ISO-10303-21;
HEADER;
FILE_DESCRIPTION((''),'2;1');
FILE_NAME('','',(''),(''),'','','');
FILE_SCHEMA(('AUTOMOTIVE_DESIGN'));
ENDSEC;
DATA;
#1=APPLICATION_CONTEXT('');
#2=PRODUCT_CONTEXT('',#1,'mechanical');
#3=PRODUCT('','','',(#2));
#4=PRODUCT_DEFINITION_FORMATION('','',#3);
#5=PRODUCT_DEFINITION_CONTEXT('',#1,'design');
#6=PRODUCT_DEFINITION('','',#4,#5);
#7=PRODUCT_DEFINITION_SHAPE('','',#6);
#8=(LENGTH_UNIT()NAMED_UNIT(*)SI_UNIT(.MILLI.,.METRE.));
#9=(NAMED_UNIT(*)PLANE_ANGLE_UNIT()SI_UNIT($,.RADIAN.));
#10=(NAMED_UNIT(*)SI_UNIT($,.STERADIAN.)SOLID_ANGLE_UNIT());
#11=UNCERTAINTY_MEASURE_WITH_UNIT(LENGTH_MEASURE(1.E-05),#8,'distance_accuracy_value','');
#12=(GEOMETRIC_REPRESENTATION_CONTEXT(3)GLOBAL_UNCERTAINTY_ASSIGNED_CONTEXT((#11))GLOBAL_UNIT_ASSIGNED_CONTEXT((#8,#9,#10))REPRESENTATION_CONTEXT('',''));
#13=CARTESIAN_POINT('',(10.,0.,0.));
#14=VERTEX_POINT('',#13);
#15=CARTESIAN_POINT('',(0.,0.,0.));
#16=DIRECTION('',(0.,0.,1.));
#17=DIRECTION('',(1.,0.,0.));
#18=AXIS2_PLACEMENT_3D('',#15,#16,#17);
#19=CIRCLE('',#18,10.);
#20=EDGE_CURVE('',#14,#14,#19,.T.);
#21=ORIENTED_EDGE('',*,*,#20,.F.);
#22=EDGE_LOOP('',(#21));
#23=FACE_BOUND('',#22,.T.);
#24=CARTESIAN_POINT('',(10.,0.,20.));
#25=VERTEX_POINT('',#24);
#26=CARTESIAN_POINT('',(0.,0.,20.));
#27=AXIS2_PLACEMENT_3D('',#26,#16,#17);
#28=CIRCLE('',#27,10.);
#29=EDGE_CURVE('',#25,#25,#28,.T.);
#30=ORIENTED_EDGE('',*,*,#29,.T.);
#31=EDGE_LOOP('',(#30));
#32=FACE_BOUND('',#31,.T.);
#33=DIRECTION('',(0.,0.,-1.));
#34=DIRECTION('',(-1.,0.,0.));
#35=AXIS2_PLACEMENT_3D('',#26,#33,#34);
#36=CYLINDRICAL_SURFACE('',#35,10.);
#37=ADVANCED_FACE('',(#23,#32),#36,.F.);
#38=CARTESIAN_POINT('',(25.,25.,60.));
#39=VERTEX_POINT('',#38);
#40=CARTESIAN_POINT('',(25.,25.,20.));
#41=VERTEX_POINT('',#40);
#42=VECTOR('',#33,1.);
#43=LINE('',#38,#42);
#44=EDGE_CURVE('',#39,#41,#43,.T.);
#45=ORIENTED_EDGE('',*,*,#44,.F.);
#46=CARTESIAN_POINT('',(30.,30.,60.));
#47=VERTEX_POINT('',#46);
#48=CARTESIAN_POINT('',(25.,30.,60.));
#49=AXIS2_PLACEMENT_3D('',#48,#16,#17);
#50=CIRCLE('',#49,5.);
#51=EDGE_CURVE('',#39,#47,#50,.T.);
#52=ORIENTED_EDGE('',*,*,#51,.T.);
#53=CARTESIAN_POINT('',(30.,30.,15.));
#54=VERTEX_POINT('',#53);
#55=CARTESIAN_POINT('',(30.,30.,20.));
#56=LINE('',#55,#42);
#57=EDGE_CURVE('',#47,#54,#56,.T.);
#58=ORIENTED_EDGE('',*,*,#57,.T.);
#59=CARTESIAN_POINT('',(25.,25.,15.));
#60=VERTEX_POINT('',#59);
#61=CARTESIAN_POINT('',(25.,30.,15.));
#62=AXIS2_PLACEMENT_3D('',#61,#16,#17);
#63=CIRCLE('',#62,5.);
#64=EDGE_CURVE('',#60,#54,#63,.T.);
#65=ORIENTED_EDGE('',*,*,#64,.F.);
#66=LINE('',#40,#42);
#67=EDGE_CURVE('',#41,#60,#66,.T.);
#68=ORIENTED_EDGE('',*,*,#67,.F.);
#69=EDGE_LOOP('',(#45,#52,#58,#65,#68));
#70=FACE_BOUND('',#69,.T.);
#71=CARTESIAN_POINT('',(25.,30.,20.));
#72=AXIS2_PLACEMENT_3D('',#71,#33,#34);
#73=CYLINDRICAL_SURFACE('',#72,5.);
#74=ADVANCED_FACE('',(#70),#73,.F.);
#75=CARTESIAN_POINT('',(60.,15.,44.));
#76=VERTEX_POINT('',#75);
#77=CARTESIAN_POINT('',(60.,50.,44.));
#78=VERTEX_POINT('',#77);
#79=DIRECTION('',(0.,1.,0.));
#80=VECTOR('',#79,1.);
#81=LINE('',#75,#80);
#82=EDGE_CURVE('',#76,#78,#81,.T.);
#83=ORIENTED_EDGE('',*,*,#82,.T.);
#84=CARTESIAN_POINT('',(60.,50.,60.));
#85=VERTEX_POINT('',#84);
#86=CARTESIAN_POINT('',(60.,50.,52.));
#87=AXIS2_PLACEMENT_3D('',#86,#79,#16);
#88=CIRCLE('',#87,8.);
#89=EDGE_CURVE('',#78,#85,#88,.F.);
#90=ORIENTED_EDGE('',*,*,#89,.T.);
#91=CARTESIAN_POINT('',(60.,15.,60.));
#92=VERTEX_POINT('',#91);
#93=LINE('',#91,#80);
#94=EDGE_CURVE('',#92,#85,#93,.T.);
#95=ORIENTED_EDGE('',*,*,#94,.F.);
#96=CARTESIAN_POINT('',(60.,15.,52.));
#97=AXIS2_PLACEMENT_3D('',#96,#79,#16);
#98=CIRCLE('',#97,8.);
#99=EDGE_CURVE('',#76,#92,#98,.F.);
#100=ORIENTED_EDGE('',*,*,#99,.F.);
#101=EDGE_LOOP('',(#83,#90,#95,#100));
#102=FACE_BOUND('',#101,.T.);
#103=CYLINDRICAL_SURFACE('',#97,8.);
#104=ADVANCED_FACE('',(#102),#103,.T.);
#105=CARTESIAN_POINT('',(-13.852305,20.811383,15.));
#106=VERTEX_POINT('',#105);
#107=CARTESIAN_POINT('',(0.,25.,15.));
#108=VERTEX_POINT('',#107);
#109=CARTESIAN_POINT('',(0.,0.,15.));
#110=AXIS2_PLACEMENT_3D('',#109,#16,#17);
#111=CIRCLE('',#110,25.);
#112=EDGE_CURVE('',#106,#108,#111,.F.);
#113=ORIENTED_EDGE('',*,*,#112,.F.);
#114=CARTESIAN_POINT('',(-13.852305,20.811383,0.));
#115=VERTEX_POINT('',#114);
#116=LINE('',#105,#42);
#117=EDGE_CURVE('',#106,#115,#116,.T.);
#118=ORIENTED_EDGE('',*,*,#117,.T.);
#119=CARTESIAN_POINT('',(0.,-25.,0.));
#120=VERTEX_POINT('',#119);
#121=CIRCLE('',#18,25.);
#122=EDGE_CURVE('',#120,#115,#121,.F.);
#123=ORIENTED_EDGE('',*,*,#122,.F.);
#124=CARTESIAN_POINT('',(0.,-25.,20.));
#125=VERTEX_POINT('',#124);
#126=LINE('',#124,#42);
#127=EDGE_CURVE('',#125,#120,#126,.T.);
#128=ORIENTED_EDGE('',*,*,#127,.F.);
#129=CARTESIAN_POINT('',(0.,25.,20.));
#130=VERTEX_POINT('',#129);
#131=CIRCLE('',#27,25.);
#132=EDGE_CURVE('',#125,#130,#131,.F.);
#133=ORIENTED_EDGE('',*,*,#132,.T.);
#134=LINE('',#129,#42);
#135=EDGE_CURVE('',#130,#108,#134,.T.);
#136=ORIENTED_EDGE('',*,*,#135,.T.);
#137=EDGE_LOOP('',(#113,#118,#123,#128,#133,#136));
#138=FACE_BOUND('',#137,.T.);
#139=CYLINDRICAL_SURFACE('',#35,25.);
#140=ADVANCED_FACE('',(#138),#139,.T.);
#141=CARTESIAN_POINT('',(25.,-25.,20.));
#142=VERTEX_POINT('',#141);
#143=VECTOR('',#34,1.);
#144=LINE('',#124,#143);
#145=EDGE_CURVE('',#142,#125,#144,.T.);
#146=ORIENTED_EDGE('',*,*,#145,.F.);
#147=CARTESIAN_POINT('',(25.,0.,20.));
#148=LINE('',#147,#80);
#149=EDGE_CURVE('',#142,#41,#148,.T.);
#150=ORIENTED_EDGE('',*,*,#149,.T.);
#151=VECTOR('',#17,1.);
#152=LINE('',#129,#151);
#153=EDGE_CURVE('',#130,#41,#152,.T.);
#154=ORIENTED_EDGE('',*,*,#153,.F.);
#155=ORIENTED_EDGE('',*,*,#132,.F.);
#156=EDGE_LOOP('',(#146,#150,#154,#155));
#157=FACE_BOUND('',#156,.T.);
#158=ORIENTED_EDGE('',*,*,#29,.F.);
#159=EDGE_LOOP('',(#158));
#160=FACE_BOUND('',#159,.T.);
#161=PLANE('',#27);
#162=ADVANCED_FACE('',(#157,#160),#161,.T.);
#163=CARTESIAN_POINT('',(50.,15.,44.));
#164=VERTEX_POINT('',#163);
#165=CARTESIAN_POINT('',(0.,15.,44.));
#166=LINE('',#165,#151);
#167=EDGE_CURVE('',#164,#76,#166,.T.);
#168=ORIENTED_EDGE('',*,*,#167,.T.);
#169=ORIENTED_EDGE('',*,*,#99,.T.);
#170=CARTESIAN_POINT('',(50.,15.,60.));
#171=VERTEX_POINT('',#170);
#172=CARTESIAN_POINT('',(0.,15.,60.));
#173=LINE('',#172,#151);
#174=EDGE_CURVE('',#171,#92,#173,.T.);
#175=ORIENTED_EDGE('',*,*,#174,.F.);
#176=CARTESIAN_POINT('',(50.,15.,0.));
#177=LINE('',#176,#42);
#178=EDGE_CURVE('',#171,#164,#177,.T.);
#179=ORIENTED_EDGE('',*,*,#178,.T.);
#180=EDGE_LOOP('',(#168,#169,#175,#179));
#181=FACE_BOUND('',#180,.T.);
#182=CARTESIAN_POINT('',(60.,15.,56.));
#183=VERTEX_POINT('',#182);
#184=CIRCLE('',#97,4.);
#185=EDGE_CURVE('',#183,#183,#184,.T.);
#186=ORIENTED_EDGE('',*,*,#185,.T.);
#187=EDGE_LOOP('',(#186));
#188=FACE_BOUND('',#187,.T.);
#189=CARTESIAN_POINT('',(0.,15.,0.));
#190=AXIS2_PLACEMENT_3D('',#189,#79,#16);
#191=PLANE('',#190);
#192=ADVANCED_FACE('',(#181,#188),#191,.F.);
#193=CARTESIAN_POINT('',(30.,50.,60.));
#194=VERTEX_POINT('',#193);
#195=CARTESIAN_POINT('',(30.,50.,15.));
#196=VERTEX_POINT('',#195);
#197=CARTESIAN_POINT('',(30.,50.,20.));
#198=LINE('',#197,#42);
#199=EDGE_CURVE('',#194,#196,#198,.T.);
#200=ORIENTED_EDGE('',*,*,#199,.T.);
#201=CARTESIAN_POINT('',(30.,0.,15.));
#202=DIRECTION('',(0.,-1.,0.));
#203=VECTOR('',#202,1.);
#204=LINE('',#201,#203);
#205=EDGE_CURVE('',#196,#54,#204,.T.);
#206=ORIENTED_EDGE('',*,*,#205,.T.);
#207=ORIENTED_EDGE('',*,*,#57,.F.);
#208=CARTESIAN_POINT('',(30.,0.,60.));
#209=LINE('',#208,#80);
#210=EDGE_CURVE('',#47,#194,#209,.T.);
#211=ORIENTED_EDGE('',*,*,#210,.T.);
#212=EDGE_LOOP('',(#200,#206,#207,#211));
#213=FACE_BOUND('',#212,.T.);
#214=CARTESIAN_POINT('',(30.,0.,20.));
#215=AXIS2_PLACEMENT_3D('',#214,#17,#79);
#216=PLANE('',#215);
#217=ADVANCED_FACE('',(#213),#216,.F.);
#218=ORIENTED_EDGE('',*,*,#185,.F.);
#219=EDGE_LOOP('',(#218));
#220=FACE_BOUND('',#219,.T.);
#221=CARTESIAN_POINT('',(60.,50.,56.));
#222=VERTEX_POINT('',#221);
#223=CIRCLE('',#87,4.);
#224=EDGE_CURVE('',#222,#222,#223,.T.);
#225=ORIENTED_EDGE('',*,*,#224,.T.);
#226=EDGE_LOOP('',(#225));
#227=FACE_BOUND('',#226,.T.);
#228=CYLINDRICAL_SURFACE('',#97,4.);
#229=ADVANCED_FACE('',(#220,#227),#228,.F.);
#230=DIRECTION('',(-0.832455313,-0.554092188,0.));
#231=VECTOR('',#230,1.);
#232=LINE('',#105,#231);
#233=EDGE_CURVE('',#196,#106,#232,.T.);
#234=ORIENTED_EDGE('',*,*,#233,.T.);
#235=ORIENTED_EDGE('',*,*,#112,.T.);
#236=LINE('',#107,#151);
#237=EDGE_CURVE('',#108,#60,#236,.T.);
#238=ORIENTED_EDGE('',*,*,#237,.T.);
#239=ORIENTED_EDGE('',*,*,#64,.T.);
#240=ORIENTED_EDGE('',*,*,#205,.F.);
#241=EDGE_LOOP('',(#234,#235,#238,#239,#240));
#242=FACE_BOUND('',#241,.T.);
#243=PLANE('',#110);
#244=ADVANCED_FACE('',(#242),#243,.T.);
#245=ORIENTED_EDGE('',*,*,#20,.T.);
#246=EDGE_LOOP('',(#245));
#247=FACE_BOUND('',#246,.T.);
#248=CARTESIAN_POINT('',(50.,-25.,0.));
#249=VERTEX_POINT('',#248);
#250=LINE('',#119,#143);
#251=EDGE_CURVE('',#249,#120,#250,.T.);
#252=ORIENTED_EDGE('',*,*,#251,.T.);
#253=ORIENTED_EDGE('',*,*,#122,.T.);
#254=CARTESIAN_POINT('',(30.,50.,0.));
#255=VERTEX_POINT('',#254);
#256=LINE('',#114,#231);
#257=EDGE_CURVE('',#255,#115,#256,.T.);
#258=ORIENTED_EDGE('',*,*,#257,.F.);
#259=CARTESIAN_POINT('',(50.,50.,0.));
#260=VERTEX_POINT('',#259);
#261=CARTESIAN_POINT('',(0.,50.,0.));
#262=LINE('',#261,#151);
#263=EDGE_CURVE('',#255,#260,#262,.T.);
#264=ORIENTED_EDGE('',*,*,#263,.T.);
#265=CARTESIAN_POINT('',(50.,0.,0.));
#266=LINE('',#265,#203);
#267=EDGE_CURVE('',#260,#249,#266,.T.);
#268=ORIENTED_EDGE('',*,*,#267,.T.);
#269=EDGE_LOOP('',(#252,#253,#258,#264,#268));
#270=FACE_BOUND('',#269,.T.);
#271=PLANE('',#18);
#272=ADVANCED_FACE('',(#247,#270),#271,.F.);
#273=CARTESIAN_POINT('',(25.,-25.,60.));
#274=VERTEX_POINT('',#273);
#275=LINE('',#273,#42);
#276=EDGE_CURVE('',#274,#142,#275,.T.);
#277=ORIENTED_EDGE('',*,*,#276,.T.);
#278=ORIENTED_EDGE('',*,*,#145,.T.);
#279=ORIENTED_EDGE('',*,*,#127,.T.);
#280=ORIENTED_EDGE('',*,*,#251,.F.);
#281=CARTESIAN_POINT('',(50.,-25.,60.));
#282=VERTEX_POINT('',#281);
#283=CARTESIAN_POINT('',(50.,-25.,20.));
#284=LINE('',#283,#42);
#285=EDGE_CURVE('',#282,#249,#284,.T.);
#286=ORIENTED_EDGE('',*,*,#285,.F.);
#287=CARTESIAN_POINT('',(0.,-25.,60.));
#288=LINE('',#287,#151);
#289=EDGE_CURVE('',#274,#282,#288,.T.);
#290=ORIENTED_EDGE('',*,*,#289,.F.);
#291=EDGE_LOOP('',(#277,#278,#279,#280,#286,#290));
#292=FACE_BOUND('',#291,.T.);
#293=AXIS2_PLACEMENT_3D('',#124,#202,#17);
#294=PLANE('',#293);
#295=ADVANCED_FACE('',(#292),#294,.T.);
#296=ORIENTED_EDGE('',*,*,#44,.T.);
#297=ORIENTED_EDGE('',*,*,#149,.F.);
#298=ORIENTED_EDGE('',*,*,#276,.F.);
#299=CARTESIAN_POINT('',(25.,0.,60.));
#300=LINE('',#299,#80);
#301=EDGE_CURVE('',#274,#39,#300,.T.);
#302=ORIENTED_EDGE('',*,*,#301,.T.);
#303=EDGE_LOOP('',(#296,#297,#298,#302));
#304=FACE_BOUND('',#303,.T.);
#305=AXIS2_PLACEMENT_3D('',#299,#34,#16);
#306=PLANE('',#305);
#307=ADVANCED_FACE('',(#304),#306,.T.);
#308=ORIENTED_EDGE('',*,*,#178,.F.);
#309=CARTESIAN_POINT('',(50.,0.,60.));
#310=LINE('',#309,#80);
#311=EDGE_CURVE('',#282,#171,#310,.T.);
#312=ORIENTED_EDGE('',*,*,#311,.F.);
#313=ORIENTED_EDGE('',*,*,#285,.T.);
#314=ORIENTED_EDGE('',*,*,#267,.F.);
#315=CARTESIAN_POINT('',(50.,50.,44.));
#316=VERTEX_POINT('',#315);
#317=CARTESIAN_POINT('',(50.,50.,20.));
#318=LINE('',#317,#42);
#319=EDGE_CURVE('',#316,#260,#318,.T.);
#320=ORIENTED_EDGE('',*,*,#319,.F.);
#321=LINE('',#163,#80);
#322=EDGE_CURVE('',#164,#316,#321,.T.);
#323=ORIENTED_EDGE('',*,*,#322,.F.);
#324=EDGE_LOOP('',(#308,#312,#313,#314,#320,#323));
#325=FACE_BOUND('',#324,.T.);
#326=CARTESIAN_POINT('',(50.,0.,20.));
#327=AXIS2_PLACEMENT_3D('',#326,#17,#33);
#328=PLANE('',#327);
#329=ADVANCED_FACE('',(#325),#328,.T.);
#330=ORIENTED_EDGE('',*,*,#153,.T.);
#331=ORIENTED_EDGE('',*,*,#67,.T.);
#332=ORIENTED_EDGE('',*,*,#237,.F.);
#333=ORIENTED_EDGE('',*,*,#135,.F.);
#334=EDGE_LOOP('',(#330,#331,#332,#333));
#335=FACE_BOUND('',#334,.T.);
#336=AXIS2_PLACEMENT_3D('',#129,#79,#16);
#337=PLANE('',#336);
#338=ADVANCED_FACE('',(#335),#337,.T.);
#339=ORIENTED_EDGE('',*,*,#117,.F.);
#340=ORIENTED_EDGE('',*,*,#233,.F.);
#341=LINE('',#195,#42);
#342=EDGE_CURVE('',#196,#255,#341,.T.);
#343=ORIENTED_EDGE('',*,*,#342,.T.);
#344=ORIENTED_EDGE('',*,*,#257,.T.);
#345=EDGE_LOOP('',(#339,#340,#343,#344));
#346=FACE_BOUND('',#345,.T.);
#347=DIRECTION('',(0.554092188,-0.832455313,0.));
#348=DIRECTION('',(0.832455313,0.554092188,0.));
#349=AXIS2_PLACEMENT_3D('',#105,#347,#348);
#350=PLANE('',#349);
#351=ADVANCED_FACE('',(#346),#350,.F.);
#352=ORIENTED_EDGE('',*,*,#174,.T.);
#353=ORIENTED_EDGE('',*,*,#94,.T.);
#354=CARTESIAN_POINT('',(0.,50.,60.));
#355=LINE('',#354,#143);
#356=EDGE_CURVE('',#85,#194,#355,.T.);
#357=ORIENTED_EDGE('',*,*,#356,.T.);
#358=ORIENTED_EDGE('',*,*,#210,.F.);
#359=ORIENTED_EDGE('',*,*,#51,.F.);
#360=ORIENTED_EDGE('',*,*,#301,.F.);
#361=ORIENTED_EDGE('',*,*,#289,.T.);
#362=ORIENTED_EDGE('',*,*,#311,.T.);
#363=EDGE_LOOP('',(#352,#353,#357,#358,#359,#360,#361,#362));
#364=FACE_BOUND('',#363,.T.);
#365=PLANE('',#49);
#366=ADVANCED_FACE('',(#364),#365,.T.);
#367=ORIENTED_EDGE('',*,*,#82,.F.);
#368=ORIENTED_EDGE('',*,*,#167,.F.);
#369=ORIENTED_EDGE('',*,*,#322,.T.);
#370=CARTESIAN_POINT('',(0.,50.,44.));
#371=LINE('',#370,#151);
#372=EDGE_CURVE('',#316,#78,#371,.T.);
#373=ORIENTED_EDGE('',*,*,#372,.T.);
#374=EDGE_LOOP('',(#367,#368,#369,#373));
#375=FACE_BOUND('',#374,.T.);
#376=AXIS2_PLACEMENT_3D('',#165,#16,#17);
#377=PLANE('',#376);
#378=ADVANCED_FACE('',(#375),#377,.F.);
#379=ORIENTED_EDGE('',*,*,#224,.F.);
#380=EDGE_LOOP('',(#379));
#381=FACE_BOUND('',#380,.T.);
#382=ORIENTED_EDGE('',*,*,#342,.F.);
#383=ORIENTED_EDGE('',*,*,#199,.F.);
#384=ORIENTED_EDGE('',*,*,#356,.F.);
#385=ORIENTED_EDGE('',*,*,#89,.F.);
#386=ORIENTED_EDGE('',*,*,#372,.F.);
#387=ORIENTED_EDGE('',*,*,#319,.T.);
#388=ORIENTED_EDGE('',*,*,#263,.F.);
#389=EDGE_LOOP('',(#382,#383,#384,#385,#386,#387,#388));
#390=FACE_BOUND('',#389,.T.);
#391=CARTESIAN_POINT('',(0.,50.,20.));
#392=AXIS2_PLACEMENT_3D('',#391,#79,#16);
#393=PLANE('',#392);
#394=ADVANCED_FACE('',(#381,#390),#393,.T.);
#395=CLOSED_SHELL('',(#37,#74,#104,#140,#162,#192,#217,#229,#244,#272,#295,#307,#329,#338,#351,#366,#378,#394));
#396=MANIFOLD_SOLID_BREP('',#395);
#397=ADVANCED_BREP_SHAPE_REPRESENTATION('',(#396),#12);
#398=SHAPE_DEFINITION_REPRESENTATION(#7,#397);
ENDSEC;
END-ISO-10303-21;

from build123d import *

# Parameters (mm, degrees)
SKETCH1_R           = 10
BOSS_EXTRUDE1_DEPTH = 20
BOSS_EXTRUDE2_START = 20
BOSS_EXTRUDE2_DEPTH = 40
BOSS_EXTRUDE3_DEPTH = 15
SKETCH2_R           = 4
BOSS_EXTRUDE4_DEPTH = 35


with BuildPart() as part:
    # Sketch1 → Boss-Extrude1 (new body)
    with BuildSketch(Plane.XY):
        with BuildLine():
            ThreePointArc((0, -25), (-25, 0), (0, 25))
            Line((0, 25), (25, 25))
            Line((25, 25), (25, -25))
            Line((25, -25), (0, -25))
        make_face()
        Circle(SKETCH1_R, mode=Mode.SUBTRACT)
        with BuildLine():
            ThreePointArc((30, 30), (28.535533906, 26.464466094), (25, 25))
            Line((25, 25), (25, -25))
            Line((25, -25), (50, -25))
            Line((50, -25), (50, 15))
            Line((50, 15), (50, 50))
            Line((50, 50), (30, 50))
            Line((30, 50), (30, 30))
        make_face()
    extrude(amount=BOSS_EXTRUDE1_DEPTH)

    # Sketch1<3> → Boss-Extrude2 (add)
    with BuildSketch(Plane.XY.offset(BOSS_EXTRUDE2_START)):
        with BuildLine():
            ThreePointArc((30, 30), (28.535533906, 26.464466094), (25, 25))
            Line((25, 25), (25, -25))
            Line((25, -25), (50, -25))
            Line((50, -25), (50, 15))
            Line((50, 15), (50, 50))
            Line((50, 50), (30, 50))
            Line((30, 50), (30, 30))
        make_face()
    extrude(amount=BOSS_EXTRUDE2_DEPTH)

    # Sketch1<4> → Boss-Extrude3 (add)
    with BuildSketch(Plane.XY):
        with BuildLine():
            ThreePointArc((-13.852304693, 20.811382816), (-7.2358631, 23.929945365), (0, 25))
            Line((0, 25), (25, 25))
            ThreePointArc((25, 25), (28.535533906, 26.464466094), (30, 30))
            Line((30, 30), (30, 50))
            Line((30, 50), (-13.852304693, 20.811382816))
        make_face()
    extrude(amount=BOSS_EXTRUDE3_DEPTH)

    # Sketch2 → Boss-Extrude4 (add)
    with BuildSketch(Plane(origin=(0, 50, 0), x_dir=(1, 0, 0), z_dir=(0, 1, 0))):
        with BuildLine():
            Line((60, -44), (50, -44))
            Line((50, -44), (50, -60))
            Line((50, -60), (60, -60))
            ThreePointArc((60, -60), (68, -52), (60, -44))
        make_face()
        with Locations((60, -52)):
            Circle(SKETCH2_R, mode=Mode.SUBTRACT)
    extrude(amount=-BOSS_EXTRUDE4_DEPTH)


solid = part.part
